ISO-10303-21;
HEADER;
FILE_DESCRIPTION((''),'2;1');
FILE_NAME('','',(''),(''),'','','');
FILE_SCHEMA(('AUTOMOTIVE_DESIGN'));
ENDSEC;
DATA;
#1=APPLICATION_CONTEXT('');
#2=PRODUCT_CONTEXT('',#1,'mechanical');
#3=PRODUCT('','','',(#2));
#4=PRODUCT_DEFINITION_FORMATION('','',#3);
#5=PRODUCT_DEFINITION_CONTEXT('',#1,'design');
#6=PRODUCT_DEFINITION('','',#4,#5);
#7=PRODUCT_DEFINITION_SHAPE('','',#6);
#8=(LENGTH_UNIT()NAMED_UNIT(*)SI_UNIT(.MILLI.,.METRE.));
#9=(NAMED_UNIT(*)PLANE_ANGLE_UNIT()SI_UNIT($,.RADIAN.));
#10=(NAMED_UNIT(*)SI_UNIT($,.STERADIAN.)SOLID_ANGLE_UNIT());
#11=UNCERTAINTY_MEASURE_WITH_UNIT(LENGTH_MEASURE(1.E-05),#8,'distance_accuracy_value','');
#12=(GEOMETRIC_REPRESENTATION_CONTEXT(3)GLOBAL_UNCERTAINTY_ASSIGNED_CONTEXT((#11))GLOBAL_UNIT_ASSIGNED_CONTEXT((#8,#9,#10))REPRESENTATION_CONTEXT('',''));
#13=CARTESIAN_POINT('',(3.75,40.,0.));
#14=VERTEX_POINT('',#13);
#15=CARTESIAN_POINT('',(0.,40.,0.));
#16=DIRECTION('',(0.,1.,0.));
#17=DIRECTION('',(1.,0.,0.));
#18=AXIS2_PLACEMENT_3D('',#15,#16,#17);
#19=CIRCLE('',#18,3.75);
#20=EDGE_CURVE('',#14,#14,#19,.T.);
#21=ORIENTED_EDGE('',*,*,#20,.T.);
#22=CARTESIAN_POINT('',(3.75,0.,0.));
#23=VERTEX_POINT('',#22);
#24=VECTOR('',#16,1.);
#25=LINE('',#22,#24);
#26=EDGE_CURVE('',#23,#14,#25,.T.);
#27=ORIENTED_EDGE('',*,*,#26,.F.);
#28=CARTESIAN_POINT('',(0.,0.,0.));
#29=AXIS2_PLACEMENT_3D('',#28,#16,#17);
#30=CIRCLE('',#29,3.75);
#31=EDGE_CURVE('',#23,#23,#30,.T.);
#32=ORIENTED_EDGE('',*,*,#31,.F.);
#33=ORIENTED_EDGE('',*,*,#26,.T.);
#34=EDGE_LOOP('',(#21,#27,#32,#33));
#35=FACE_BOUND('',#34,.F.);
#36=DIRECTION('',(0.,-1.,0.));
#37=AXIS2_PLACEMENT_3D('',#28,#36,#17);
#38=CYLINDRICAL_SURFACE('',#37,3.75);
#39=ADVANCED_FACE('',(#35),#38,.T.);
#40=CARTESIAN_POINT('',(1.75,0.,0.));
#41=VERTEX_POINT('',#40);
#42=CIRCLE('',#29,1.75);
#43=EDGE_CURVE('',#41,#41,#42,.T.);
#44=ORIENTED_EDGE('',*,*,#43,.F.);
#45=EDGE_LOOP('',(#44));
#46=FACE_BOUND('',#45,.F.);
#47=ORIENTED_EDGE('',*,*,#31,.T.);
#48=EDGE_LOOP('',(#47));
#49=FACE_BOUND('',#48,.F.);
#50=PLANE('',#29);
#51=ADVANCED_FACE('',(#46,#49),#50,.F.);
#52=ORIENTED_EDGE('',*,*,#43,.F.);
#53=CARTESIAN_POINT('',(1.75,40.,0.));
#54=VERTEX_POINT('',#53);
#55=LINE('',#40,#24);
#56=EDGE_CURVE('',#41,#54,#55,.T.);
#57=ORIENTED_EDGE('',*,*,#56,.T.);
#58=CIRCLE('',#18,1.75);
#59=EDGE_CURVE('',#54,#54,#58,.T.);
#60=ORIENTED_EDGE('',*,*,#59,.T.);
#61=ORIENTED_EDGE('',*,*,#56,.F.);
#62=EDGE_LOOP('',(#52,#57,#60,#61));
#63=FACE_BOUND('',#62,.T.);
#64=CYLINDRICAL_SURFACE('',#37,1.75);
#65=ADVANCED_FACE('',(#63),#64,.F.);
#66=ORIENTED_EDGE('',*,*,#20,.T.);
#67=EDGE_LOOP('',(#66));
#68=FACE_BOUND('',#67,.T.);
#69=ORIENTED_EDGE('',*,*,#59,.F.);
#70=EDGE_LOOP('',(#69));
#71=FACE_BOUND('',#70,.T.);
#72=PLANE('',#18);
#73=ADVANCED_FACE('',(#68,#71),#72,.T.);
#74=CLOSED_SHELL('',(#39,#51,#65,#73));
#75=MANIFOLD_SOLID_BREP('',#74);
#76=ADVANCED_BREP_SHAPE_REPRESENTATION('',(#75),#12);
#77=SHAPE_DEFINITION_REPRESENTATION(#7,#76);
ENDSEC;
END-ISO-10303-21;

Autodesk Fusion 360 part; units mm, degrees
sketch "Sketch1" plane through (0, 0, 0) normal (0, 1, 0) x (1, 0, 0)
  circle A0 centre (0, 0) radius 1.75
  circle A1 centre (0, 0) radius 3.75
  dimension "d1" = 3.5
  dimension "d2" = 7.5
extrude "Extrude1" add sketch "Sketch1" along normal blind 40
